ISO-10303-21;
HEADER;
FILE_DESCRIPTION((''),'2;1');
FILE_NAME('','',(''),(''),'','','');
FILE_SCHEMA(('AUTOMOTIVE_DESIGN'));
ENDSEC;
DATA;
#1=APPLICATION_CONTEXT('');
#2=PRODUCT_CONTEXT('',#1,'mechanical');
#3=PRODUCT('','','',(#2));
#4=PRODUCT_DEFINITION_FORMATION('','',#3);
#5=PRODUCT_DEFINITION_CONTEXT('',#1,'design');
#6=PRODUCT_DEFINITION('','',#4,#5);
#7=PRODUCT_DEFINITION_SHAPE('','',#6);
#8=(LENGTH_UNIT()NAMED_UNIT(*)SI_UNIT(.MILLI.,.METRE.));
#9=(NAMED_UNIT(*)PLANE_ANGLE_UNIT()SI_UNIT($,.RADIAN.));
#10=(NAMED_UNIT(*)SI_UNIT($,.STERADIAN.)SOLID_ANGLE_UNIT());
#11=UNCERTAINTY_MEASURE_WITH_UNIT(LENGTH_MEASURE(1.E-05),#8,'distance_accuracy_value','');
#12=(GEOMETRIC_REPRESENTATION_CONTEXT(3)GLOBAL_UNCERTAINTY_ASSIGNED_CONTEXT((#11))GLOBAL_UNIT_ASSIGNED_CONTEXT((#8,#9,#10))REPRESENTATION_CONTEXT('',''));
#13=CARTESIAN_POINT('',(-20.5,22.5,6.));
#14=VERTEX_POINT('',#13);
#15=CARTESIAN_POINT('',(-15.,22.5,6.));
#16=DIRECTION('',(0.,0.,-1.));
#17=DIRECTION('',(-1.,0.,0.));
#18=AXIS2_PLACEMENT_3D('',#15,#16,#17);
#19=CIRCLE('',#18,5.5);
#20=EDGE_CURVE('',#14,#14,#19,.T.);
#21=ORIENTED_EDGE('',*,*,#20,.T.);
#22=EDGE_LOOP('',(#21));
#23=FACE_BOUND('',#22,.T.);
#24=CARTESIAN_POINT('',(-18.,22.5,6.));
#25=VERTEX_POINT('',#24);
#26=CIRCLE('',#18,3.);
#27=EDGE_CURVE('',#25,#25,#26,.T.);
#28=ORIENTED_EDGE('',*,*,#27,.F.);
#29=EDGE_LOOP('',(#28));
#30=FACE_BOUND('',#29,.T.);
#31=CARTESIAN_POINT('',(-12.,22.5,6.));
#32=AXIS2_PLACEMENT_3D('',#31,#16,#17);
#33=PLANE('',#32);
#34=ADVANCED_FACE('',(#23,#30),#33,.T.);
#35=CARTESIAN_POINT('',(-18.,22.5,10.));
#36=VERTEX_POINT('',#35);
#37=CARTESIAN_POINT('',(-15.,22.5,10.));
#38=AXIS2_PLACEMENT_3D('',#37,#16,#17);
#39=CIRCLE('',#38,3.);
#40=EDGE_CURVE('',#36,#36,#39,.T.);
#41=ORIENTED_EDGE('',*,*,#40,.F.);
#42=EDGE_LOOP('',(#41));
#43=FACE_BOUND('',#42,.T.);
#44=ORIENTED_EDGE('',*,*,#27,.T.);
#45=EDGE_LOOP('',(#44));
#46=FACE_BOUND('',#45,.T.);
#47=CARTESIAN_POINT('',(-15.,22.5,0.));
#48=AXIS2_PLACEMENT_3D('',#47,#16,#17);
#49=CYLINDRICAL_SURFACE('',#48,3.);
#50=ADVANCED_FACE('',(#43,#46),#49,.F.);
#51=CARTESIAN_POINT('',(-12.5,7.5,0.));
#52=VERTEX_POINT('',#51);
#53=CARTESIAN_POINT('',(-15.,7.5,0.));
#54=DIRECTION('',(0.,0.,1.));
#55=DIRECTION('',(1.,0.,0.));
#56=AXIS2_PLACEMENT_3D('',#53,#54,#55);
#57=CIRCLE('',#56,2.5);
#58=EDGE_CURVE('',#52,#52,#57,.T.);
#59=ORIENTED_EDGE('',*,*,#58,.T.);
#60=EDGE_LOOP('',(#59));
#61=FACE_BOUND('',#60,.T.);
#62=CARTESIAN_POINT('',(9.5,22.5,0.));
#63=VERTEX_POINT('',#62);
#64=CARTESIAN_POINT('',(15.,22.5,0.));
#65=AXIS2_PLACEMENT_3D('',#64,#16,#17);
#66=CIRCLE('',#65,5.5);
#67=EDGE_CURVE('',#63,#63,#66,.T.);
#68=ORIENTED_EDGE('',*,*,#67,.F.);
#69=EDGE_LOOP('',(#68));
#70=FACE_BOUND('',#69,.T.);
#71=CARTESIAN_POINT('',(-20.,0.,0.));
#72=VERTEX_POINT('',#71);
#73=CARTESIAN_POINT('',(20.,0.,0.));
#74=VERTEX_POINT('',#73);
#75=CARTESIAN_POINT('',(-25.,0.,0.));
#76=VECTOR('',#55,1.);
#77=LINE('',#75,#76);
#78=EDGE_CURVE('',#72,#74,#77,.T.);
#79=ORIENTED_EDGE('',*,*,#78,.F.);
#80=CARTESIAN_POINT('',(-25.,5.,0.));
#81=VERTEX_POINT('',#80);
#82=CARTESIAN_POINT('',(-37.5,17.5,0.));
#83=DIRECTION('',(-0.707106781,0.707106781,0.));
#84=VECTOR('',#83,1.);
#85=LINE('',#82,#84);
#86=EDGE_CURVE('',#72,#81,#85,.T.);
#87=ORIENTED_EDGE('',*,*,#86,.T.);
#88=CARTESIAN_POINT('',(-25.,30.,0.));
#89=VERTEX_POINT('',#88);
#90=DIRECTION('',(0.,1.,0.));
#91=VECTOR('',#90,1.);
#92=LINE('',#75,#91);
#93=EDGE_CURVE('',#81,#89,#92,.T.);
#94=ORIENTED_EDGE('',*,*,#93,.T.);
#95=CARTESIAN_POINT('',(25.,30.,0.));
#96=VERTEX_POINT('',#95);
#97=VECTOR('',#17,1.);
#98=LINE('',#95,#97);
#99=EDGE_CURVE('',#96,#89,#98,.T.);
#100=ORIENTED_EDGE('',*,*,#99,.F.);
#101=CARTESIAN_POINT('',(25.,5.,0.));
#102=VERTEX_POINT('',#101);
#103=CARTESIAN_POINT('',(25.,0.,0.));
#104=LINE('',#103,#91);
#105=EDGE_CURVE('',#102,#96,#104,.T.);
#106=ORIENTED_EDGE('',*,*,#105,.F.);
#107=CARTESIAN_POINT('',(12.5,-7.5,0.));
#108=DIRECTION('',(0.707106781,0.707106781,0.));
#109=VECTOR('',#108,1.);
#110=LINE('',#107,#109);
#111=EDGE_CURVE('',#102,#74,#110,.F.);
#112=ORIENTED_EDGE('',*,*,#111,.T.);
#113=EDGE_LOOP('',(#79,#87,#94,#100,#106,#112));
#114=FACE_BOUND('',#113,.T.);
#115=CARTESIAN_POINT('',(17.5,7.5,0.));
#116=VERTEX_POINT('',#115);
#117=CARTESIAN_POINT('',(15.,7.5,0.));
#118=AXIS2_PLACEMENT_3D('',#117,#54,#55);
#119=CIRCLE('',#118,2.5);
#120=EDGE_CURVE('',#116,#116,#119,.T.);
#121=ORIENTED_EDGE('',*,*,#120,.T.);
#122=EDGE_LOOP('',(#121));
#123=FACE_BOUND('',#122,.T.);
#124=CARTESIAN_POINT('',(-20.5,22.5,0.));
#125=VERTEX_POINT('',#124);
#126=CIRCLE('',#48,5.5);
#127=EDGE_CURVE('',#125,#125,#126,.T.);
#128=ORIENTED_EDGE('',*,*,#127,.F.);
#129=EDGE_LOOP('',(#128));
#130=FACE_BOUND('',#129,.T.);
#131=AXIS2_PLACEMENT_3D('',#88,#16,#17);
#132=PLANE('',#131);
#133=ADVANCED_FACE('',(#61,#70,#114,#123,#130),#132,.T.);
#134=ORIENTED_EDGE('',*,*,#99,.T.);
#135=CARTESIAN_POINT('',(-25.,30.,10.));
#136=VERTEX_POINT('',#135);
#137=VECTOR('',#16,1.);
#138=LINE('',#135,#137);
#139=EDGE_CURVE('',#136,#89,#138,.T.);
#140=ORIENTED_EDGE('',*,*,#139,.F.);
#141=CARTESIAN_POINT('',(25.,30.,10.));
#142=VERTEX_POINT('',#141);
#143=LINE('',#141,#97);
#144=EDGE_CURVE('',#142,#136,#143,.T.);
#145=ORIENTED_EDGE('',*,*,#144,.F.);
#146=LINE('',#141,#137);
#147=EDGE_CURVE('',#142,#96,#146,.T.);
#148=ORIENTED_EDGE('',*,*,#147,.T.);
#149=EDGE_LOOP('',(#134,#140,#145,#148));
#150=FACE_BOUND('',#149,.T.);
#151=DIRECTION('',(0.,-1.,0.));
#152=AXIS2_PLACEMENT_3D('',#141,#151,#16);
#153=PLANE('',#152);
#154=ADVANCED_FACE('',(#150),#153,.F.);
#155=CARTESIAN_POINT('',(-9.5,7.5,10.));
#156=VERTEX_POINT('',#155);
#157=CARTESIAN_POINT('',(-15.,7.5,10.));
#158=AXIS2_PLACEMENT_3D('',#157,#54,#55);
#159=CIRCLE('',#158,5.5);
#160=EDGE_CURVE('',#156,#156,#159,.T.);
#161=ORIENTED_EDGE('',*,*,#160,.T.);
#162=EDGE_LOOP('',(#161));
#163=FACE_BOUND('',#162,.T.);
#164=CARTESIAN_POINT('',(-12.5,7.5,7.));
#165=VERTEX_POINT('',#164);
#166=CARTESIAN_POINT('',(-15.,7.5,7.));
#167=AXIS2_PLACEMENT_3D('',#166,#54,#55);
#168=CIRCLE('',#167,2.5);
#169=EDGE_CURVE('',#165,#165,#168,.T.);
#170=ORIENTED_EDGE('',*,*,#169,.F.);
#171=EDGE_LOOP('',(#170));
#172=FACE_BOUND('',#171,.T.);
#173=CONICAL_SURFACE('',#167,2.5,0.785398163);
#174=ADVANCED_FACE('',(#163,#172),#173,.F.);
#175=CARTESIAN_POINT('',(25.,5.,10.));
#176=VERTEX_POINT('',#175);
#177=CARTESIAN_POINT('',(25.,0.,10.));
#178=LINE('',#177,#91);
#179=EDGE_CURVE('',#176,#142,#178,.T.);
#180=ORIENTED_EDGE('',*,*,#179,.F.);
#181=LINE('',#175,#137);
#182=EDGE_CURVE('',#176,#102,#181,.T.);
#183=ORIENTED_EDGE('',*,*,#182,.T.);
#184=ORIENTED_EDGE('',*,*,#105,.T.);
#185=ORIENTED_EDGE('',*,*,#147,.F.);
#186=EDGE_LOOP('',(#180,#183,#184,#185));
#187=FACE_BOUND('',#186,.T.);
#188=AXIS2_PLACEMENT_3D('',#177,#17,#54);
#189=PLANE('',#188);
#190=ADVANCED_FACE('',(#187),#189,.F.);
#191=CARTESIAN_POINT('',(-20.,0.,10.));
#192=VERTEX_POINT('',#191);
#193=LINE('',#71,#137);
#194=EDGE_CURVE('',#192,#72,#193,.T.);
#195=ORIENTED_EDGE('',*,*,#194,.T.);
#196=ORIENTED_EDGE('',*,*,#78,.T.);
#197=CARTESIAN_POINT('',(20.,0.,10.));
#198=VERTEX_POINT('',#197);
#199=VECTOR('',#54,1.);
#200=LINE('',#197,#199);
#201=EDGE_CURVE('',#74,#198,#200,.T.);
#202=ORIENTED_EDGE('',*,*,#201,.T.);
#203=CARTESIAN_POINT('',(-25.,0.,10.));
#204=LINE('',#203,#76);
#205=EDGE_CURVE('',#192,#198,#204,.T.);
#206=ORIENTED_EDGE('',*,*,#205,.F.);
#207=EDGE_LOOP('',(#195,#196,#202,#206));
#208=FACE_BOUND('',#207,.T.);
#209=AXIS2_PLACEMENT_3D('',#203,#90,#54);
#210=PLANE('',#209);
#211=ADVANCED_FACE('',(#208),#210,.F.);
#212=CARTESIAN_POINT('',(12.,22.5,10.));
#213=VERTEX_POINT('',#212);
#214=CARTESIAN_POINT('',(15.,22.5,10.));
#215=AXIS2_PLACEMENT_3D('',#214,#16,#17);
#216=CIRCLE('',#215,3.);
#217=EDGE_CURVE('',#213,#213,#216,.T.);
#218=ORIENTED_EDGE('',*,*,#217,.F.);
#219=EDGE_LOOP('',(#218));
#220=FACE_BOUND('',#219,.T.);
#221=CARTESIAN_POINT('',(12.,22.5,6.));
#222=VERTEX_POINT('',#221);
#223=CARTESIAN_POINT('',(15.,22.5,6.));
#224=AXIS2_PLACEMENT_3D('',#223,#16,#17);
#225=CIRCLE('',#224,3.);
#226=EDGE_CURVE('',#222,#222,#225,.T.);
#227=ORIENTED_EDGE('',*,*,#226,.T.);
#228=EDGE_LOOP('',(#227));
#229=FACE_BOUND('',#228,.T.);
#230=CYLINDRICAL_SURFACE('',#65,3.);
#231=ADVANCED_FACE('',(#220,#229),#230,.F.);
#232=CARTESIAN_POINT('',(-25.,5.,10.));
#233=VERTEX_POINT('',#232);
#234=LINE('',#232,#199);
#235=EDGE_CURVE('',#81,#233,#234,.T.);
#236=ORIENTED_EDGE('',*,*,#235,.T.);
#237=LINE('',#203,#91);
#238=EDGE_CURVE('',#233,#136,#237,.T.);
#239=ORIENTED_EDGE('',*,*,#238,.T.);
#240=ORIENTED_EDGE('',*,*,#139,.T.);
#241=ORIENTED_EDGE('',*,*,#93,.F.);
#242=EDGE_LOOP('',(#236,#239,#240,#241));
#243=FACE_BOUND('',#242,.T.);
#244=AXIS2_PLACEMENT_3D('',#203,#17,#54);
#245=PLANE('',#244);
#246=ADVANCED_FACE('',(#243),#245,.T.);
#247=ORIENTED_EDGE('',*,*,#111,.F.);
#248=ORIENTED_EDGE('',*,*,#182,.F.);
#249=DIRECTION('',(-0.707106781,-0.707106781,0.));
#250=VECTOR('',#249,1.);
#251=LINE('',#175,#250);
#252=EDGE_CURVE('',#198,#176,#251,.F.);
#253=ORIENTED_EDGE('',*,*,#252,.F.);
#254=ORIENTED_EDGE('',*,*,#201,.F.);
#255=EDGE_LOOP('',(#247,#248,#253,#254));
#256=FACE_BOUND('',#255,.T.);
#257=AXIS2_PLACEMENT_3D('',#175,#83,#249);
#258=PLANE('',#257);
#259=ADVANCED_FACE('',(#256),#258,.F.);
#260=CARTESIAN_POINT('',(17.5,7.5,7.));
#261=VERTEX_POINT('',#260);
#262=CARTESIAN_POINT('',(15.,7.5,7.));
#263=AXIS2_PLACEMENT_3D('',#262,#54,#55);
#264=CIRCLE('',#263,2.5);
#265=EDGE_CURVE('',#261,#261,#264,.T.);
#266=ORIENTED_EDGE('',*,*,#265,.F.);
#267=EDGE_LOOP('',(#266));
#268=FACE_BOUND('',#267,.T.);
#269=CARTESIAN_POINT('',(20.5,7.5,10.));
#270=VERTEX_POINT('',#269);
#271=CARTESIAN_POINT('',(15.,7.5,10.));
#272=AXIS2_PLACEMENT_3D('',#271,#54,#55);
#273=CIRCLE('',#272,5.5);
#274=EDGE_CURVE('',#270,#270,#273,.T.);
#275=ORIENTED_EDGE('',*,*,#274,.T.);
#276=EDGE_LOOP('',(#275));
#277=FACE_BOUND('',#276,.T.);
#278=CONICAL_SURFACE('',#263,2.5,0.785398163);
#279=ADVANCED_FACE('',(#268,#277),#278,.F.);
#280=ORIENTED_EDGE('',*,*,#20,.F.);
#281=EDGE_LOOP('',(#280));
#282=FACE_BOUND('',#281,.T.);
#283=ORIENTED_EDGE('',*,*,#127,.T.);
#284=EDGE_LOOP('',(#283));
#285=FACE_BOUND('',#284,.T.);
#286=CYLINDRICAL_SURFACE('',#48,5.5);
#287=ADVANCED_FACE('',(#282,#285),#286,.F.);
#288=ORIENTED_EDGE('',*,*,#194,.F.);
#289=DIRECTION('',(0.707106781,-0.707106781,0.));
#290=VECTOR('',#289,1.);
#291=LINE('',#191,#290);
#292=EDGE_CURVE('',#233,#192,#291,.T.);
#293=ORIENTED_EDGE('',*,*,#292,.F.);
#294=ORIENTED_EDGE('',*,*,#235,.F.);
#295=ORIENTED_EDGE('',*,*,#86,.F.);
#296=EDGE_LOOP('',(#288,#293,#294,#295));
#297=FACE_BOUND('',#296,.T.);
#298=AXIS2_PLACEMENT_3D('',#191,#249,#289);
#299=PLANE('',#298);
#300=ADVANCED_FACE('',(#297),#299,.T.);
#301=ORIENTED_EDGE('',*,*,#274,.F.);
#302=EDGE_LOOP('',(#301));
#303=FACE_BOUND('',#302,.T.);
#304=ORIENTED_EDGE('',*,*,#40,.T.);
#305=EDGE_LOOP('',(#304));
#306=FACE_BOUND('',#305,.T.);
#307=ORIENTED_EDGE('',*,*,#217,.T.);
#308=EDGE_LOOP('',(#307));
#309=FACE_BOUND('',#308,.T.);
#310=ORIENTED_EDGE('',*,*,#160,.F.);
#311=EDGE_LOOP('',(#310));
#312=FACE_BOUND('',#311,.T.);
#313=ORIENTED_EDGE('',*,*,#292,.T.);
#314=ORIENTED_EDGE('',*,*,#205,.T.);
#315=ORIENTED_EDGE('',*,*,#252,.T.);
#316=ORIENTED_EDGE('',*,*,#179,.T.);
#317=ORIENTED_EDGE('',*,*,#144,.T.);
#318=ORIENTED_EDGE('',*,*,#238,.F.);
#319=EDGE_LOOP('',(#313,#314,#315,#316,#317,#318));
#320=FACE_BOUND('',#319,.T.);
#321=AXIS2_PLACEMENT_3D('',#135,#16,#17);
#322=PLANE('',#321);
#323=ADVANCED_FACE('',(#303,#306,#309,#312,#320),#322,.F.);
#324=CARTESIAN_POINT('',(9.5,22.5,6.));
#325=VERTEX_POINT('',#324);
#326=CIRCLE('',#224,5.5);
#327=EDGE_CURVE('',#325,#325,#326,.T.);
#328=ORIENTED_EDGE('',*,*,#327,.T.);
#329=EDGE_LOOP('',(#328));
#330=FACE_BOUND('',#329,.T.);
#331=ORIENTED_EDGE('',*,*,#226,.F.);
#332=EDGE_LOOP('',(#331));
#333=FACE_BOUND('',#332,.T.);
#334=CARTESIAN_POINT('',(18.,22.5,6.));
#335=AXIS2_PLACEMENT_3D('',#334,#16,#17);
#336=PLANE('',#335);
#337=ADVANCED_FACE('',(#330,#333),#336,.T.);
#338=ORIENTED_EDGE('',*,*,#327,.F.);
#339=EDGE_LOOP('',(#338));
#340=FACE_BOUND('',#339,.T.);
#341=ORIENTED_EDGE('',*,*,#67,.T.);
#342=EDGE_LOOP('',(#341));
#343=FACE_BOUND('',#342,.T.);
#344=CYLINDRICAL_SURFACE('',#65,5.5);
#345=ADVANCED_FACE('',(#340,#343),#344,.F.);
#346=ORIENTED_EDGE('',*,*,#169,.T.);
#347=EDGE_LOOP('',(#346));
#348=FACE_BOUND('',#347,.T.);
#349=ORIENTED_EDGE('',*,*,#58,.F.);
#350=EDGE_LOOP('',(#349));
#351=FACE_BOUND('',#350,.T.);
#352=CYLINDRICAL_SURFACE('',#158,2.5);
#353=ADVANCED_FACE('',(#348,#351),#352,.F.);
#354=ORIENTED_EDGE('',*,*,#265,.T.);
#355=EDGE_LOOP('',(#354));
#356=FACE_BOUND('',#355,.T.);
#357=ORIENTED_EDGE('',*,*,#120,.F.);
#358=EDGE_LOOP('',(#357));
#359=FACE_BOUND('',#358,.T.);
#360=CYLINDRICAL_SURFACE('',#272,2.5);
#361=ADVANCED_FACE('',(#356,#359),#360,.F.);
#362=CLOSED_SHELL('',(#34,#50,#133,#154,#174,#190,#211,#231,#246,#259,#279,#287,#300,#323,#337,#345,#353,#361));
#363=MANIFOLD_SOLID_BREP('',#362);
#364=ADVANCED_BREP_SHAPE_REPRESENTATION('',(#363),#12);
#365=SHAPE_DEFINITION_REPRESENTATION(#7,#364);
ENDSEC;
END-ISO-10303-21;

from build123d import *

# Parameters (mm, degrees)
ESQUISSE1_W          = 50
ESQUISSE1_H          = 30
BASE_EXTRUSION_DEPTH = 10
PER_AGE1_D           = 5
PER_AGE1_CSINK_D     = 11
PER_AGE1_CSINK_ANGLE = 90
PER_AGE2_D           = 6
PER_AGE2_CBORE_D     = 11
PER_AGE2_CBORE_DEPTH = 6
CHANFREIN1_SIZE      = 5


with BuildPart() as part:
    # Esquisse1 → Base-Extrusion (new body)
    with BuildSketch(Plane.XY):
        with Locations((0, 15)):
            Rectangle(ESQUISSE1_W, ESQUISSE1_H)
    extrude(amount=BASE_EXTRUSION_DEPTH)

    # Perçage1 (through all)
    with Locations(Plane.XY.offset(10)):
        with Locations((15, 7.5)):
            per_age1 = CounterSinkHole(PER_AGE1_D / 2, PER_AGE1_CSINK_D / 2, counter_sink_angle=PER_AGE1_CSINK_ANGLE)

    # Symétrie1: Perçage1 across plane
    add(per_age1.mirror(Plane(origin=(0, 0, 0), x_dir=(0, 0, 1), z_dir=(1, 0, 0))), mode=Mode.SUBTRACT)

    # Perçage2 (through all)
    with Locations(Plane(origin=(0, 0, 0), x_dir=(-1, 0, 0), z_dir=(0, 0, -1))):
        with Locations((-15, 22.5)):
            per_age2 = CounterBoreHole(PER_AGE2_D / 2, PER_AGE2_CBORE_D / 2, PER_AGE2_CBORE_DEPTH)

    # Symétrie2: Perçage2 across plane
    add(per_age2.mirror(Plane(origin=(0, 0, 0), x_dir=(0, 0, 1), z_dir=(1, 0, 0))), mode=Mode.SUBTRACT)

    # Chanfrein1
    chanfrein1_edges = [part.edges().sort_by_distance(p)[0] for p in [
        (-25, 0, 5),
        (25, 0, 5),
    ]]
    chamfer(chanfrein1_edges, length=CHANFREIN1_SIZE)


solid = part.part
